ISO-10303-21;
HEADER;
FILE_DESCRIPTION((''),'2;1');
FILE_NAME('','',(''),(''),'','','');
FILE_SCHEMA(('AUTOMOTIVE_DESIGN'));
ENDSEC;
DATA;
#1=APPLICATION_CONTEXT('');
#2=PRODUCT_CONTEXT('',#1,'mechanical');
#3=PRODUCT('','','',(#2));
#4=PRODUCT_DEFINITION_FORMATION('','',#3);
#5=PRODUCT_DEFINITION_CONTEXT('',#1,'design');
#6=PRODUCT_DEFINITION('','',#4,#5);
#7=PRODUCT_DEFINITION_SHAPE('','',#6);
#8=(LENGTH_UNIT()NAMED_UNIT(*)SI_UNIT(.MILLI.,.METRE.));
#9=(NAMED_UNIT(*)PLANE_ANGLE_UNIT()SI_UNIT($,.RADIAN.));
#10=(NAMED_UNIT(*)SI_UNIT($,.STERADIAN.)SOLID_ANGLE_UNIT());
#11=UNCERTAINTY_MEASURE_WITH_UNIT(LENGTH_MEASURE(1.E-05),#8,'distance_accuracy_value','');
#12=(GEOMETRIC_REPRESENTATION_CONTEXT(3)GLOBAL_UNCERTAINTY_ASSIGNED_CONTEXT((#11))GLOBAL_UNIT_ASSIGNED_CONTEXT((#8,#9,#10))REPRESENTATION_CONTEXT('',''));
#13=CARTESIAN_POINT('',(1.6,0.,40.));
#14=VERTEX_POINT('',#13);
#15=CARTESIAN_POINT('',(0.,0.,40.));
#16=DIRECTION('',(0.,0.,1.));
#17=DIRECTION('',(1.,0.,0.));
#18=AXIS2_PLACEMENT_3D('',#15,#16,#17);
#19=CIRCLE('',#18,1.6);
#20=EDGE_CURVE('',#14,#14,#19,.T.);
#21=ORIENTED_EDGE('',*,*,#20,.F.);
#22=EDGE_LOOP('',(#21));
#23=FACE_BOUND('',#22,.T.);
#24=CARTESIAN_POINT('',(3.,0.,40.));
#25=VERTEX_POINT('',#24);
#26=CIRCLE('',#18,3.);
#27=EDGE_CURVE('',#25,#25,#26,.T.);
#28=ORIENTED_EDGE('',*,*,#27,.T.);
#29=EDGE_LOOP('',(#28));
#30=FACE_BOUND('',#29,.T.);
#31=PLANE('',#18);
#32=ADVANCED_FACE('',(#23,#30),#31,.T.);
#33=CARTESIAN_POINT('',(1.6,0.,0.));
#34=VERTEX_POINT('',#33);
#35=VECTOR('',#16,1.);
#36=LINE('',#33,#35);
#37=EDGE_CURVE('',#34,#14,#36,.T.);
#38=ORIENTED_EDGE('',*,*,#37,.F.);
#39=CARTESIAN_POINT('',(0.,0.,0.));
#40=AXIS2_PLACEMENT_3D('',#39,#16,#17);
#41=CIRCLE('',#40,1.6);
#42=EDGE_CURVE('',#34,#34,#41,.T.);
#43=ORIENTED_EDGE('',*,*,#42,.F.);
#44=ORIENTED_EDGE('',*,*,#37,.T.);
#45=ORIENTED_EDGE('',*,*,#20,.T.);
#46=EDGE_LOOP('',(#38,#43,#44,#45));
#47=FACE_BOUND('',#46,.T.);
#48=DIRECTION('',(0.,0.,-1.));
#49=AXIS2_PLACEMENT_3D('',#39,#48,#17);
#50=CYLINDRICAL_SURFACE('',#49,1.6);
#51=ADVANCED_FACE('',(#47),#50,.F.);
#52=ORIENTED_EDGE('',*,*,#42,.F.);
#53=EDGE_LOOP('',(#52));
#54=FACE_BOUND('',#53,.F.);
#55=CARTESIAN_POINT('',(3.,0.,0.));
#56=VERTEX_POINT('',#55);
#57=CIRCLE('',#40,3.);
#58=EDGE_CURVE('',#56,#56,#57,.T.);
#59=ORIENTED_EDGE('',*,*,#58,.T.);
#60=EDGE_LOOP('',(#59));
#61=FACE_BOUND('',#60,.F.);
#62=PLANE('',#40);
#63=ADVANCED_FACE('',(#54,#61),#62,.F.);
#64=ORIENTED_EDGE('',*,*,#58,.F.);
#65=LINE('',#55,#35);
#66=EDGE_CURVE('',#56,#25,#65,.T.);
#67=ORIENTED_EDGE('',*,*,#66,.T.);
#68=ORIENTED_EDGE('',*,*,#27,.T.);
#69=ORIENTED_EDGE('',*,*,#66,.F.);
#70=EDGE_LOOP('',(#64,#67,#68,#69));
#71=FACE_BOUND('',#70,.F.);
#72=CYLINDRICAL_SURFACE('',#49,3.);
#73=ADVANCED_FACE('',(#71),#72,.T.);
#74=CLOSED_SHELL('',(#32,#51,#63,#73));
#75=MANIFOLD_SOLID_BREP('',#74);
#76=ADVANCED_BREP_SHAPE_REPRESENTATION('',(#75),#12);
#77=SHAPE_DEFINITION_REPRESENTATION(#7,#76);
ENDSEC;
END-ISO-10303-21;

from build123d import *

# Parameters (mm, degrees)
SKETCH_R   = 3
SKETCH_R_2 = 1.6
PAD_DEPTH  = 40


with BuildPart() as part:
    # Sketch → Pad (new body)
    with BuildSketch(Plane.XY):
        Circle(SKETCH_R)
        Circle(SKETCH_R_2, mode=Mode.SUBTRACT)
    extrude(amount=PAD_DEPTH)


solid = part.part
